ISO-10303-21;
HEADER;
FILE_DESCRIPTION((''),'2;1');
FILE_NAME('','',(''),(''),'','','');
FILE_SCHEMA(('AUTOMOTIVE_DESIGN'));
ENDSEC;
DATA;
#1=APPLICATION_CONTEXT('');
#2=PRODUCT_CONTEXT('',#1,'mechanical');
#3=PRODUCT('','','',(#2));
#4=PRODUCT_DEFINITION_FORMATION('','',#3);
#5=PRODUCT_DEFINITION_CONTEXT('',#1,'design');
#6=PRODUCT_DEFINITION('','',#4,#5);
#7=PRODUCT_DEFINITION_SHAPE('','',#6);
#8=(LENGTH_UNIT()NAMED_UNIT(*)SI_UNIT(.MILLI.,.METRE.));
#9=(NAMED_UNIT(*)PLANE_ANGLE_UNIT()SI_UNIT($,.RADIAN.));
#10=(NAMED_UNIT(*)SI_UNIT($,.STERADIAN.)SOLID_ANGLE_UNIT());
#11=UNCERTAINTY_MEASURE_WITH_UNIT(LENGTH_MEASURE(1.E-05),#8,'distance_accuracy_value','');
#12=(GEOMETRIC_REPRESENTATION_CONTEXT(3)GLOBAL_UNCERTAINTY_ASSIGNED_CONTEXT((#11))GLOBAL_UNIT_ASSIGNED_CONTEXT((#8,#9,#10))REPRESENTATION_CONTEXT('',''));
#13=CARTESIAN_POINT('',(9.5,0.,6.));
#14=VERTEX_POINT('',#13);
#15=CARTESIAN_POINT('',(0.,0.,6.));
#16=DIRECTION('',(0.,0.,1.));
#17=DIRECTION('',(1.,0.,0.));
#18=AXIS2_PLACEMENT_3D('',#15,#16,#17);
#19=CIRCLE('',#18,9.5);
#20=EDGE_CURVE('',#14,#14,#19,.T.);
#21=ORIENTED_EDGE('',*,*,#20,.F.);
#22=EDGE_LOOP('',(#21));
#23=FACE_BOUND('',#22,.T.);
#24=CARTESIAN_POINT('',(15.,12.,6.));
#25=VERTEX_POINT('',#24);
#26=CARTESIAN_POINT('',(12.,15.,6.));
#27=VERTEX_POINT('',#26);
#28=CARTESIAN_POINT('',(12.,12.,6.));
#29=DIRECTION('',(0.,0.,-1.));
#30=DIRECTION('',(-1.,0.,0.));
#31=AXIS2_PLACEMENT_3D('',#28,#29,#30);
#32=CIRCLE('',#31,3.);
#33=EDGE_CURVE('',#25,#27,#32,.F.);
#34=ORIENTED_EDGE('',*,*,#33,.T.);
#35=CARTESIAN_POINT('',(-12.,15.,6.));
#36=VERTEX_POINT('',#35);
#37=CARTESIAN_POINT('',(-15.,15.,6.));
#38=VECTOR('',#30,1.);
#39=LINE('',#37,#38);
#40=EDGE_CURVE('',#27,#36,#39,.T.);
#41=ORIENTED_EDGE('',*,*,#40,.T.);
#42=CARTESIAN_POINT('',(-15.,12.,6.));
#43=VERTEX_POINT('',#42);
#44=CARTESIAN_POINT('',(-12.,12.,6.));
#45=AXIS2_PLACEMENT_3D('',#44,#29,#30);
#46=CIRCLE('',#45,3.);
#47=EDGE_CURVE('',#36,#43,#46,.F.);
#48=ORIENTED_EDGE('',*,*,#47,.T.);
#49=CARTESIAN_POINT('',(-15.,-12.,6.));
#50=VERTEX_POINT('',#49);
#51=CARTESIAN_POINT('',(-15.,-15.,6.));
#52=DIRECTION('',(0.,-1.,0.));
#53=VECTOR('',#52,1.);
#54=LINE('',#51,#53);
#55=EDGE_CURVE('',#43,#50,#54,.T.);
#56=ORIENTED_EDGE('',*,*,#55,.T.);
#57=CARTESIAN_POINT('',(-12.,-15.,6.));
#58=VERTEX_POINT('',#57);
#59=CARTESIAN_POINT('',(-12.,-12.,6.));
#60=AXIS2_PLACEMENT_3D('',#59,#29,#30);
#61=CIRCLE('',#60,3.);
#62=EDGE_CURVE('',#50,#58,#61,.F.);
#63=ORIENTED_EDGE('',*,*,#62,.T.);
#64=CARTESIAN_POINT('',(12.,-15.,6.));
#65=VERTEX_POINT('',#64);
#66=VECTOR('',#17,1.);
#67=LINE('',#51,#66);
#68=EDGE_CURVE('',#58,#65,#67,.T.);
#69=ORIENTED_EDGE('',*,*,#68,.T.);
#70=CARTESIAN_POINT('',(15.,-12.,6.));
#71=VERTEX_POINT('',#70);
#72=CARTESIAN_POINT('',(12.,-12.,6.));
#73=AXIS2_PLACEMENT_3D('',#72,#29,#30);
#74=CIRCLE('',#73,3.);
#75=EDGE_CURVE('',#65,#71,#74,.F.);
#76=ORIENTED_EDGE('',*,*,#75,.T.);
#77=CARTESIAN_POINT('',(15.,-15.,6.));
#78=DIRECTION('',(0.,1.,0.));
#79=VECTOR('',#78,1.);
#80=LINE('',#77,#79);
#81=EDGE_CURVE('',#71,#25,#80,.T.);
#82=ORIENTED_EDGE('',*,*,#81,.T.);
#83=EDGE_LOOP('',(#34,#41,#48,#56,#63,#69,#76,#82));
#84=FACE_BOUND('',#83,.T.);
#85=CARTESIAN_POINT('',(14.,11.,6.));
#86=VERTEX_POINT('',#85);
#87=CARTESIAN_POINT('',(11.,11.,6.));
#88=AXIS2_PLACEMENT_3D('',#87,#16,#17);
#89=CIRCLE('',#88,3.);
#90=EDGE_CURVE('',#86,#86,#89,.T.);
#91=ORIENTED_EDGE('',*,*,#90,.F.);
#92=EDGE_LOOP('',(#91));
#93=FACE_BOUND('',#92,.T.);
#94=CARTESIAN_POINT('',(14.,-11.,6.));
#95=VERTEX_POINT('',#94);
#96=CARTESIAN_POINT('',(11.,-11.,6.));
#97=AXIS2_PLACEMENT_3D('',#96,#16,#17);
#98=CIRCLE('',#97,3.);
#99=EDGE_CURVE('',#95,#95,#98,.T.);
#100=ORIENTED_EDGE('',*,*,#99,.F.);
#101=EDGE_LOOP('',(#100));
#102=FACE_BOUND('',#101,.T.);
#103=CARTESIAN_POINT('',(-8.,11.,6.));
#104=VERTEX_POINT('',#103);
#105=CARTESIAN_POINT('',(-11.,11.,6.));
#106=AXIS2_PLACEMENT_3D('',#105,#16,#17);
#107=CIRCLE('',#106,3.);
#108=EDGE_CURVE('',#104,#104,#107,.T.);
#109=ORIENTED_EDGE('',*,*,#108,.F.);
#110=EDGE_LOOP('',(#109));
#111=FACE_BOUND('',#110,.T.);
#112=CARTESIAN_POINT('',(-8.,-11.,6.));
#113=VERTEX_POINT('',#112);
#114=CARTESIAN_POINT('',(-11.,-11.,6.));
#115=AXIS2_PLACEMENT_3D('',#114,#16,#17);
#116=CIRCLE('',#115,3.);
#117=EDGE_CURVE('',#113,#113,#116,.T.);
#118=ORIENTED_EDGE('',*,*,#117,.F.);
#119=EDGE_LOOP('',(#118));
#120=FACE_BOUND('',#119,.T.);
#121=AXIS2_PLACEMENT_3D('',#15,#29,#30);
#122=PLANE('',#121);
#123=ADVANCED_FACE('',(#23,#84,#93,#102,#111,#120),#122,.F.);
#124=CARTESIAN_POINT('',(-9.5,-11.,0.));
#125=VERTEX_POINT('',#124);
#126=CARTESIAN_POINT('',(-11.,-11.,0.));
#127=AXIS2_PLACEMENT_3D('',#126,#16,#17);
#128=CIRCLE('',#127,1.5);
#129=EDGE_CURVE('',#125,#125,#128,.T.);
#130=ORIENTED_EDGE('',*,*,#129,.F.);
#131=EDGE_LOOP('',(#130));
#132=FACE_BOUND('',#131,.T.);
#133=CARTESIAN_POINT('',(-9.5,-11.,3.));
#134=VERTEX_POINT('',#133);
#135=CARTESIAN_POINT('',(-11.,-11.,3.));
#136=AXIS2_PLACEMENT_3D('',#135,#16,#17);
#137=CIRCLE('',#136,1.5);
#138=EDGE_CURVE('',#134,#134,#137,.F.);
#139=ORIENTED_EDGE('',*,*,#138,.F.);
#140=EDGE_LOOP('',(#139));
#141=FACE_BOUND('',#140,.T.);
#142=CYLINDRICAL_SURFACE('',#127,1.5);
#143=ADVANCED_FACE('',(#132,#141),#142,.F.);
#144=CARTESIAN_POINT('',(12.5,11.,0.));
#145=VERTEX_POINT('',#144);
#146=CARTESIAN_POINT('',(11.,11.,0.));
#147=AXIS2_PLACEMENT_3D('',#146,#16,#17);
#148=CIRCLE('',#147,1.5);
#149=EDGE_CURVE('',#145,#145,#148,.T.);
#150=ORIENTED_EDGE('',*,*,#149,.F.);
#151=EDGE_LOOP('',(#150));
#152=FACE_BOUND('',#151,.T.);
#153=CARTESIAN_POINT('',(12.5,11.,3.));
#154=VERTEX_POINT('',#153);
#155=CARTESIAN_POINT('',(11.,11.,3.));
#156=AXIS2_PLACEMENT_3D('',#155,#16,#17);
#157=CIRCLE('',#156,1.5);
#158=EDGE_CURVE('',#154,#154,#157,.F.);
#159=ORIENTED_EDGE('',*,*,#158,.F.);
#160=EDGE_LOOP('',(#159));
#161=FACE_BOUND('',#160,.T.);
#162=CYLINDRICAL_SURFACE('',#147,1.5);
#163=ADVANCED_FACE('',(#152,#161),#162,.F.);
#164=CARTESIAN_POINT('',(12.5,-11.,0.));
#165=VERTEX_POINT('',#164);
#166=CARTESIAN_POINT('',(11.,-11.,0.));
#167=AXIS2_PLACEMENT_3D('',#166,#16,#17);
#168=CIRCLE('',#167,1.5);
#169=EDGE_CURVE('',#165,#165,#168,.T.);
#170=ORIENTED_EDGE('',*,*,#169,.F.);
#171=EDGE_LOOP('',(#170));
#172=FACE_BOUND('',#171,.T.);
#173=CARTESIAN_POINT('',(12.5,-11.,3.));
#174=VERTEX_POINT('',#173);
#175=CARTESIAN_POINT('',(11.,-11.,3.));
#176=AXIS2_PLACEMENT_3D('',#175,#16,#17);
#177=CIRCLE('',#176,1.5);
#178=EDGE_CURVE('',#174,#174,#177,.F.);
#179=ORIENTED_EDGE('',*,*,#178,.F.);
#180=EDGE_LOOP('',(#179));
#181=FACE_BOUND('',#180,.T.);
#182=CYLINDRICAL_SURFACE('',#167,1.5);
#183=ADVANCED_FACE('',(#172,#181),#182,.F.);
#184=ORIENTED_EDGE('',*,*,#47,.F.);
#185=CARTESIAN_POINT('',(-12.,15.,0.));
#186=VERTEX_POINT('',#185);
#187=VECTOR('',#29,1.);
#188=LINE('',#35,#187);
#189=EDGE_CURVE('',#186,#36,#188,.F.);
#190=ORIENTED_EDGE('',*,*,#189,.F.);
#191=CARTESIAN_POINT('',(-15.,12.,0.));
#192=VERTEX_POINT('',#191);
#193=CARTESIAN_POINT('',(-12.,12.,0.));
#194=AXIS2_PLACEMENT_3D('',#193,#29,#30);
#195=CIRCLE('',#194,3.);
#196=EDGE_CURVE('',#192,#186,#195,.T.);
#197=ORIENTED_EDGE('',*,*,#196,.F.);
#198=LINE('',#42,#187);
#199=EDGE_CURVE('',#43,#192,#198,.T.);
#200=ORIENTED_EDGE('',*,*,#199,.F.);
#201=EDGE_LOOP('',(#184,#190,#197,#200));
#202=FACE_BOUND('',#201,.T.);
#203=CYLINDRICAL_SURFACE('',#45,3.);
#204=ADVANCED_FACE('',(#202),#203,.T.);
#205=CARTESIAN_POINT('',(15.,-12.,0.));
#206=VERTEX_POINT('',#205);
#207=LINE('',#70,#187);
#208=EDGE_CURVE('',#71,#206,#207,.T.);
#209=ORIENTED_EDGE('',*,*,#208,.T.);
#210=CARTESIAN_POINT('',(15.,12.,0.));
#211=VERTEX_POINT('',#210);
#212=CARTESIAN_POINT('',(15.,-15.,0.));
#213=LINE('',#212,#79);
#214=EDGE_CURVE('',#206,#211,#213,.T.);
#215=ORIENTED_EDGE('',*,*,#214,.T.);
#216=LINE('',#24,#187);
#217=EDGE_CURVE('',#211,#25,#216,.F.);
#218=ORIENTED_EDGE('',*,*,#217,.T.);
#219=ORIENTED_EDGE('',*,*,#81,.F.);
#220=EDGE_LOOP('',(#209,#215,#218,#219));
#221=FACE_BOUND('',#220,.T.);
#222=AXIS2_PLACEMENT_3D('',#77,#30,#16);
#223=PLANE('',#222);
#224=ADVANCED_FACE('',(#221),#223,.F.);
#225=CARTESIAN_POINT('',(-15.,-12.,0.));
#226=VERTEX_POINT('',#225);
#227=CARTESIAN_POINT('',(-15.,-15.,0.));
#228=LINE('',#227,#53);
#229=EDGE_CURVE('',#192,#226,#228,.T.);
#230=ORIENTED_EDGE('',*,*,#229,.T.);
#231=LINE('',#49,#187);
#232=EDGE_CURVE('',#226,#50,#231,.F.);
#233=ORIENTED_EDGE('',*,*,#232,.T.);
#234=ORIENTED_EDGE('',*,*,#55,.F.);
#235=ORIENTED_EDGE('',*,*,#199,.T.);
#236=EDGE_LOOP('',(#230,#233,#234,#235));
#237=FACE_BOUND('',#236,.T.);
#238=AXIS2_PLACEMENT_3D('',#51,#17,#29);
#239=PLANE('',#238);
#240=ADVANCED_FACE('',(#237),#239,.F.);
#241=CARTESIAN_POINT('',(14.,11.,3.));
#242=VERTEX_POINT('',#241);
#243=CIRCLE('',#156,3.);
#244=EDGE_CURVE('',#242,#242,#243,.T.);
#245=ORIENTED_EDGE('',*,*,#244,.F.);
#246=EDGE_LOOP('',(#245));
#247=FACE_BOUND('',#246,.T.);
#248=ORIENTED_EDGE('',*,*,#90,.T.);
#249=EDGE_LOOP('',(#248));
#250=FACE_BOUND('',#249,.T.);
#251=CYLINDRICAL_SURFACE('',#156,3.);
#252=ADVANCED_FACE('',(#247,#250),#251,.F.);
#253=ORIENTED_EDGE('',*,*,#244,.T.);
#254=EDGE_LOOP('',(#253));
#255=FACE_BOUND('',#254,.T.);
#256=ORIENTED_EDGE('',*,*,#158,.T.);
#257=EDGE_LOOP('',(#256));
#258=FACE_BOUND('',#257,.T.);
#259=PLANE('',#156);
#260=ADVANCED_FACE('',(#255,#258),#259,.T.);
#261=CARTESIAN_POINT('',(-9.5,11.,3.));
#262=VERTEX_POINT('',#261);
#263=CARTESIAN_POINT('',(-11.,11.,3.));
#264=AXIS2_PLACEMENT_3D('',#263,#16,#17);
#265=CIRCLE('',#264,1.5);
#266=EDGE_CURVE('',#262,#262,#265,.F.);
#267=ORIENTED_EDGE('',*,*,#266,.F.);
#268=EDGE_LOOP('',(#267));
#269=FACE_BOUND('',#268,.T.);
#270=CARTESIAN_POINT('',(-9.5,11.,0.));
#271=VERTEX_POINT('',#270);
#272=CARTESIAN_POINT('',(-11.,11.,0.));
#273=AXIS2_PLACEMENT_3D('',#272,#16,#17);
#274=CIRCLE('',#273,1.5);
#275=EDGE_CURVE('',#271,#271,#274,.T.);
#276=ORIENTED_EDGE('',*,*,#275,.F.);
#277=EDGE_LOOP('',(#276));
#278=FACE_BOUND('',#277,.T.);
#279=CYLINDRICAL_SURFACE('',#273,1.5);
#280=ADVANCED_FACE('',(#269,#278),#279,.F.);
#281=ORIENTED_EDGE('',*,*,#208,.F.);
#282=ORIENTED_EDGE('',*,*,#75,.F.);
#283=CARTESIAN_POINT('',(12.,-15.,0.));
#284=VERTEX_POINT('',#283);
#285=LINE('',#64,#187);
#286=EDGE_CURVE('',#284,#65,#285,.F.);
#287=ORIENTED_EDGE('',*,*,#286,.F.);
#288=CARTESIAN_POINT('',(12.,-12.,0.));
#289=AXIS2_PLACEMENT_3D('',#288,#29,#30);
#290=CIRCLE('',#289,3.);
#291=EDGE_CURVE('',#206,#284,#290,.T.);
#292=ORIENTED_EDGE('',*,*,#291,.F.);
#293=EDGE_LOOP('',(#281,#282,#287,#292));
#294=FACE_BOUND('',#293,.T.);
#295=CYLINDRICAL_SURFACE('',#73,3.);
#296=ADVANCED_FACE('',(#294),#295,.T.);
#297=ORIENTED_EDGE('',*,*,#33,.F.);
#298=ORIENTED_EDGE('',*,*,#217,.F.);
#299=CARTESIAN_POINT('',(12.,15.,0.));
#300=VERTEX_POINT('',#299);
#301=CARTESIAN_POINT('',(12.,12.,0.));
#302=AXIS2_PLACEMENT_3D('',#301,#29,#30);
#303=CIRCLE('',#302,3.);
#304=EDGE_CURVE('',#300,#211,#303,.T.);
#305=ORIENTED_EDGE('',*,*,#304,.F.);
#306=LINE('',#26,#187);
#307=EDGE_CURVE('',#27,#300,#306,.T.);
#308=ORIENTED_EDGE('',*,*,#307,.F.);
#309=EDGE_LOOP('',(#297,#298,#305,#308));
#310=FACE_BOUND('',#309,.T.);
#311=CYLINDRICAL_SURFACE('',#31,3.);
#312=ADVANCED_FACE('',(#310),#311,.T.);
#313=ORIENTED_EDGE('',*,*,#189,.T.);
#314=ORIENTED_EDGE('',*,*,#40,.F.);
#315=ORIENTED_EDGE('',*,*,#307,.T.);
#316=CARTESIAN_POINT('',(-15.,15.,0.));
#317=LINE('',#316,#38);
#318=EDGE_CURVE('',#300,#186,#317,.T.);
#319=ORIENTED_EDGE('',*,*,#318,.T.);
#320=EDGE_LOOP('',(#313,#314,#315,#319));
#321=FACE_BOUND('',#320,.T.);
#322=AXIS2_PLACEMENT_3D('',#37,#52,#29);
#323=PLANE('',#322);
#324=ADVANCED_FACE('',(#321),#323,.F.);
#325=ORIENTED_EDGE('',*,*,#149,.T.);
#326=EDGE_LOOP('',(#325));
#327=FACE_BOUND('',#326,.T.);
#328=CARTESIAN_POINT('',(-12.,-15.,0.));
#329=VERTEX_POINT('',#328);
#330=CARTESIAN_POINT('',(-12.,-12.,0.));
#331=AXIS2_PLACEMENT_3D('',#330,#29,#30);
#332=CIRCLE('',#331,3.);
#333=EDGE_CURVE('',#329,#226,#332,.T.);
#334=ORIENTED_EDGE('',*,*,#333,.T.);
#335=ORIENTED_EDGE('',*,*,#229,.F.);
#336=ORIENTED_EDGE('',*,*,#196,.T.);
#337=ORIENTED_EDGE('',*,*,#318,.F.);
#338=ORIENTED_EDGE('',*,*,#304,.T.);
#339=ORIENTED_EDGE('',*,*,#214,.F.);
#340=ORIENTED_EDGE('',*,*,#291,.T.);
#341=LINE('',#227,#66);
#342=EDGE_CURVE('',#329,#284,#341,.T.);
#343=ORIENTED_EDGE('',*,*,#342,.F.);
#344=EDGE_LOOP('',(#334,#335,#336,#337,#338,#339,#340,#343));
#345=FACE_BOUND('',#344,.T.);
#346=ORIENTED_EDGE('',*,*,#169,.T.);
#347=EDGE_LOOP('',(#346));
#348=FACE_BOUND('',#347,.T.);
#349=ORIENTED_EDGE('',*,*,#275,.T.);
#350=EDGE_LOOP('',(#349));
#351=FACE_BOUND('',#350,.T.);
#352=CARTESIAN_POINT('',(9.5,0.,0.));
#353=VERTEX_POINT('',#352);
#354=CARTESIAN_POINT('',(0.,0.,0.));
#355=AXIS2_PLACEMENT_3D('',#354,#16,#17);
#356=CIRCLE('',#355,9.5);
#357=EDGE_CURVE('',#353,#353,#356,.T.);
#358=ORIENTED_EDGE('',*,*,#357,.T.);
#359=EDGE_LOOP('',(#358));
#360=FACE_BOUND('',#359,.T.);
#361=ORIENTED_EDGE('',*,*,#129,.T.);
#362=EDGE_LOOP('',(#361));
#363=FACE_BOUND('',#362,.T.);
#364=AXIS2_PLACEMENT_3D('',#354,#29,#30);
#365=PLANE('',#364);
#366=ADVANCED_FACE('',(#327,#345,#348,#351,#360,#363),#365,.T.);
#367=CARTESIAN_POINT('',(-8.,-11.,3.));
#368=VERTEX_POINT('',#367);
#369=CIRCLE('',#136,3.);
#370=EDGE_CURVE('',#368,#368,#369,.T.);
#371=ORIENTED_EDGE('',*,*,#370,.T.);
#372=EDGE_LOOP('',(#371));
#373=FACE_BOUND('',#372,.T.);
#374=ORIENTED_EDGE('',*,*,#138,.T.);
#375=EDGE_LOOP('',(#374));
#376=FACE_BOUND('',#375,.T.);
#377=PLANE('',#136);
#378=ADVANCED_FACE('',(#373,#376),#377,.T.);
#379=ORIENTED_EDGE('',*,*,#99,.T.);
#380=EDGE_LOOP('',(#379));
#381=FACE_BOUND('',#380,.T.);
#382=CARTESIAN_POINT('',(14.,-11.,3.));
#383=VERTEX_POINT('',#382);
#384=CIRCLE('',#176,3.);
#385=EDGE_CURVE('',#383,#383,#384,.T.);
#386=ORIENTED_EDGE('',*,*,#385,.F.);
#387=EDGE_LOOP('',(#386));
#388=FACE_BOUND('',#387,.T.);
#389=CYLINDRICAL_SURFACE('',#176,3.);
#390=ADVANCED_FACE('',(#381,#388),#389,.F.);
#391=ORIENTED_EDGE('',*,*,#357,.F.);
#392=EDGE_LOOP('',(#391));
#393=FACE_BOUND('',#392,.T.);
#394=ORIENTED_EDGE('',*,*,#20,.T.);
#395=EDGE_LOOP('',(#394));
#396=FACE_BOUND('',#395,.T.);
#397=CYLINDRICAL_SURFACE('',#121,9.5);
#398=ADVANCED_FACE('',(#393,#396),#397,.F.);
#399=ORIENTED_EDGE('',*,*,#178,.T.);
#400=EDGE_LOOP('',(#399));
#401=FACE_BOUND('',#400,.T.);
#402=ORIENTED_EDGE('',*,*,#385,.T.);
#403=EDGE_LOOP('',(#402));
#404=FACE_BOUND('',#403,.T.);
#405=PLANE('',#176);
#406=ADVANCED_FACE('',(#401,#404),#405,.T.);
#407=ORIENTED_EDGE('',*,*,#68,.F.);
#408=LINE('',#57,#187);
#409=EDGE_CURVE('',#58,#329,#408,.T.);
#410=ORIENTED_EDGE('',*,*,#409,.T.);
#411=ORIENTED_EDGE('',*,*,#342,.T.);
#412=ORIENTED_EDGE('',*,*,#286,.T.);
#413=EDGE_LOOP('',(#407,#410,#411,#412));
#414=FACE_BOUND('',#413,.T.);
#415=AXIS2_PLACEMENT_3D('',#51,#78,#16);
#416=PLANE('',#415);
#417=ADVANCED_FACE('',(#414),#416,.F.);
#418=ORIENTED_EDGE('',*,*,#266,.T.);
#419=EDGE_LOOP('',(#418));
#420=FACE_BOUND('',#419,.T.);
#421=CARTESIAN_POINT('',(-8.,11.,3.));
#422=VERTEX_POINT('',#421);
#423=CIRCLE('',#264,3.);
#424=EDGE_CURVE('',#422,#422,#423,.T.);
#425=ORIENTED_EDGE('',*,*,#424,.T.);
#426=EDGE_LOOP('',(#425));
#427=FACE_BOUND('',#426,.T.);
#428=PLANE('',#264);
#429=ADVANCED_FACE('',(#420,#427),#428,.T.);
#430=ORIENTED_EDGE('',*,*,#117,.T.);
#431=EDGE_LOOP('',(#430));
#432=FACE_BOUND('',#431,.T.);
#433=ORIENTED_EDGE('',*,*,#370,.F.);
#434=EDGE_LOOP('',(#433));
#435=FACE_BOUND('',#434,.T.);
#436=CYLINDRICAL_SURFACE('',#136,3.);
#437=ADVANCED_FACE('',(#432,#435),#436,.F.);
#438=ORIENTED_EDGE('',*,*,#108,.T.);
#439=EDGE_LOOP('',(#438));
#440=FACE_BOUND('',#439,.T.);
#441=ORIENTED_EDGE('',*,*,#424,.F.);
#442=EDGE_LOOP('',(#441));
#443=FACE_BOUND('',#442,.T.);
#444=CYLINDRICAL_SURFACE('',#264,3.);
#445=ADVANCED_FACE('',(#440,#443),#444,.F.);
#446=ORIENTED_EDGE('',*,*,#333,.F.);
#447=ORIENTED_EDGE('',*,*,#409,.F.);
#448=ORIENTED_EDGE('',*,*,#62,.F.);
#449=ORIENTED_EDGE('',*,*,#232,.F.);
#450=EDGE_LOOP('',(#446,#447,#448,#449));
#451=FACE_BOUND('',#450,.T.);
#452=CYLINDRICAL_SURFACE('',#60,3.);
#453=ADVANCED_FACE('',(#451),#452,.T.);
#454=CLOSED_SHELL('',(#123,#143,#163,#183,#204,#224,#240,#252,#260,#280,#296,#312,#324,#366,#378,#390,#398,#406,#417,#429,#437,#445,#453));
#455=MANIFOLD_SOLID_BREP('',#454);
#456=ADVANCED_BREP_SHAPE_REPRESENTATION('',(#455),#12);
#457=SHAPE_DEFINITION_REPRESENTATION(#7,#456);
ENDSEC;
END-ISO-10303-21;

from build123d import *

# Parameters (mm, degrees)
SKETCH1_W           = 30
SKETCH1_H           = 30
SKETCH1_R           = 9.5
BOSS_EXTRUDE1_DEPTH = 6
SKETCH3_R           = 1.5
CUT_EXTRUDE2_DEPTH  = 7
SKETCH4_R           = 3
CUT_EXTRUDE3_DEPTH  = 3
FILLET1_R           = 3


with BuildPart() as part:
    # Sketch1 → Boss-Extrude1 (new body)
    with BuildSketch(Plane.XY):
        Rectangle(SKETCH1_W, SKETCH1_H)
        Circle(SKETCH1_R, mode=Mode.SUBTRACT)
    extrude(amount=BOSS_EXTRUDE1_DEPTH)

    # Sketch3 → Cut-Extrude2 (cut, through all)
    with BuildSketch(Plane.XY.offset(6)):
        with Locations((-11, 11)):
            Circle(SKETCH3_R)
        with Locations((11, 11)):
            Circle(SKETCH3_R)
        with Locations((11, -11)):
            Circle(SKETCH3_R)
        with Locations((-11, -11)):
            Circle(SKETCH3_R)
    extrude(amount=-CUT_EXTRUDE2_DEPTH, mode=Mode.SUBTRACT)

    # Sketch4 → Cut-Extrude3 (cut)
    with BuildSketch(Plane.XY.offset(6)):
        with Locations((-11, 11)):
            Circle(SKETCH4_R)
        with Locations((11, 11)):
            Circle(SKETCH4_R)
        with Locations((11, -11)):
            Circle(SKETCH4_R)
        with Locations((-11, -11)):
            Circle(SKETCH4_R)
    extrude(amount=-CUT_EXTRUDE3_DEPTH, mode=Mode.SUBTRACT)

    # Fillet1
    fillet1_edges = [part.edges().sort_by_distance(p)[0] for p in [
        (15, -15, 3),
        (-15, -15, 3),
        (-15, 15, 3),
        (15, 15, 3),
    ]]
    fillet(fillet1_edges, radius=FILLET1_R)


solid = part.part
